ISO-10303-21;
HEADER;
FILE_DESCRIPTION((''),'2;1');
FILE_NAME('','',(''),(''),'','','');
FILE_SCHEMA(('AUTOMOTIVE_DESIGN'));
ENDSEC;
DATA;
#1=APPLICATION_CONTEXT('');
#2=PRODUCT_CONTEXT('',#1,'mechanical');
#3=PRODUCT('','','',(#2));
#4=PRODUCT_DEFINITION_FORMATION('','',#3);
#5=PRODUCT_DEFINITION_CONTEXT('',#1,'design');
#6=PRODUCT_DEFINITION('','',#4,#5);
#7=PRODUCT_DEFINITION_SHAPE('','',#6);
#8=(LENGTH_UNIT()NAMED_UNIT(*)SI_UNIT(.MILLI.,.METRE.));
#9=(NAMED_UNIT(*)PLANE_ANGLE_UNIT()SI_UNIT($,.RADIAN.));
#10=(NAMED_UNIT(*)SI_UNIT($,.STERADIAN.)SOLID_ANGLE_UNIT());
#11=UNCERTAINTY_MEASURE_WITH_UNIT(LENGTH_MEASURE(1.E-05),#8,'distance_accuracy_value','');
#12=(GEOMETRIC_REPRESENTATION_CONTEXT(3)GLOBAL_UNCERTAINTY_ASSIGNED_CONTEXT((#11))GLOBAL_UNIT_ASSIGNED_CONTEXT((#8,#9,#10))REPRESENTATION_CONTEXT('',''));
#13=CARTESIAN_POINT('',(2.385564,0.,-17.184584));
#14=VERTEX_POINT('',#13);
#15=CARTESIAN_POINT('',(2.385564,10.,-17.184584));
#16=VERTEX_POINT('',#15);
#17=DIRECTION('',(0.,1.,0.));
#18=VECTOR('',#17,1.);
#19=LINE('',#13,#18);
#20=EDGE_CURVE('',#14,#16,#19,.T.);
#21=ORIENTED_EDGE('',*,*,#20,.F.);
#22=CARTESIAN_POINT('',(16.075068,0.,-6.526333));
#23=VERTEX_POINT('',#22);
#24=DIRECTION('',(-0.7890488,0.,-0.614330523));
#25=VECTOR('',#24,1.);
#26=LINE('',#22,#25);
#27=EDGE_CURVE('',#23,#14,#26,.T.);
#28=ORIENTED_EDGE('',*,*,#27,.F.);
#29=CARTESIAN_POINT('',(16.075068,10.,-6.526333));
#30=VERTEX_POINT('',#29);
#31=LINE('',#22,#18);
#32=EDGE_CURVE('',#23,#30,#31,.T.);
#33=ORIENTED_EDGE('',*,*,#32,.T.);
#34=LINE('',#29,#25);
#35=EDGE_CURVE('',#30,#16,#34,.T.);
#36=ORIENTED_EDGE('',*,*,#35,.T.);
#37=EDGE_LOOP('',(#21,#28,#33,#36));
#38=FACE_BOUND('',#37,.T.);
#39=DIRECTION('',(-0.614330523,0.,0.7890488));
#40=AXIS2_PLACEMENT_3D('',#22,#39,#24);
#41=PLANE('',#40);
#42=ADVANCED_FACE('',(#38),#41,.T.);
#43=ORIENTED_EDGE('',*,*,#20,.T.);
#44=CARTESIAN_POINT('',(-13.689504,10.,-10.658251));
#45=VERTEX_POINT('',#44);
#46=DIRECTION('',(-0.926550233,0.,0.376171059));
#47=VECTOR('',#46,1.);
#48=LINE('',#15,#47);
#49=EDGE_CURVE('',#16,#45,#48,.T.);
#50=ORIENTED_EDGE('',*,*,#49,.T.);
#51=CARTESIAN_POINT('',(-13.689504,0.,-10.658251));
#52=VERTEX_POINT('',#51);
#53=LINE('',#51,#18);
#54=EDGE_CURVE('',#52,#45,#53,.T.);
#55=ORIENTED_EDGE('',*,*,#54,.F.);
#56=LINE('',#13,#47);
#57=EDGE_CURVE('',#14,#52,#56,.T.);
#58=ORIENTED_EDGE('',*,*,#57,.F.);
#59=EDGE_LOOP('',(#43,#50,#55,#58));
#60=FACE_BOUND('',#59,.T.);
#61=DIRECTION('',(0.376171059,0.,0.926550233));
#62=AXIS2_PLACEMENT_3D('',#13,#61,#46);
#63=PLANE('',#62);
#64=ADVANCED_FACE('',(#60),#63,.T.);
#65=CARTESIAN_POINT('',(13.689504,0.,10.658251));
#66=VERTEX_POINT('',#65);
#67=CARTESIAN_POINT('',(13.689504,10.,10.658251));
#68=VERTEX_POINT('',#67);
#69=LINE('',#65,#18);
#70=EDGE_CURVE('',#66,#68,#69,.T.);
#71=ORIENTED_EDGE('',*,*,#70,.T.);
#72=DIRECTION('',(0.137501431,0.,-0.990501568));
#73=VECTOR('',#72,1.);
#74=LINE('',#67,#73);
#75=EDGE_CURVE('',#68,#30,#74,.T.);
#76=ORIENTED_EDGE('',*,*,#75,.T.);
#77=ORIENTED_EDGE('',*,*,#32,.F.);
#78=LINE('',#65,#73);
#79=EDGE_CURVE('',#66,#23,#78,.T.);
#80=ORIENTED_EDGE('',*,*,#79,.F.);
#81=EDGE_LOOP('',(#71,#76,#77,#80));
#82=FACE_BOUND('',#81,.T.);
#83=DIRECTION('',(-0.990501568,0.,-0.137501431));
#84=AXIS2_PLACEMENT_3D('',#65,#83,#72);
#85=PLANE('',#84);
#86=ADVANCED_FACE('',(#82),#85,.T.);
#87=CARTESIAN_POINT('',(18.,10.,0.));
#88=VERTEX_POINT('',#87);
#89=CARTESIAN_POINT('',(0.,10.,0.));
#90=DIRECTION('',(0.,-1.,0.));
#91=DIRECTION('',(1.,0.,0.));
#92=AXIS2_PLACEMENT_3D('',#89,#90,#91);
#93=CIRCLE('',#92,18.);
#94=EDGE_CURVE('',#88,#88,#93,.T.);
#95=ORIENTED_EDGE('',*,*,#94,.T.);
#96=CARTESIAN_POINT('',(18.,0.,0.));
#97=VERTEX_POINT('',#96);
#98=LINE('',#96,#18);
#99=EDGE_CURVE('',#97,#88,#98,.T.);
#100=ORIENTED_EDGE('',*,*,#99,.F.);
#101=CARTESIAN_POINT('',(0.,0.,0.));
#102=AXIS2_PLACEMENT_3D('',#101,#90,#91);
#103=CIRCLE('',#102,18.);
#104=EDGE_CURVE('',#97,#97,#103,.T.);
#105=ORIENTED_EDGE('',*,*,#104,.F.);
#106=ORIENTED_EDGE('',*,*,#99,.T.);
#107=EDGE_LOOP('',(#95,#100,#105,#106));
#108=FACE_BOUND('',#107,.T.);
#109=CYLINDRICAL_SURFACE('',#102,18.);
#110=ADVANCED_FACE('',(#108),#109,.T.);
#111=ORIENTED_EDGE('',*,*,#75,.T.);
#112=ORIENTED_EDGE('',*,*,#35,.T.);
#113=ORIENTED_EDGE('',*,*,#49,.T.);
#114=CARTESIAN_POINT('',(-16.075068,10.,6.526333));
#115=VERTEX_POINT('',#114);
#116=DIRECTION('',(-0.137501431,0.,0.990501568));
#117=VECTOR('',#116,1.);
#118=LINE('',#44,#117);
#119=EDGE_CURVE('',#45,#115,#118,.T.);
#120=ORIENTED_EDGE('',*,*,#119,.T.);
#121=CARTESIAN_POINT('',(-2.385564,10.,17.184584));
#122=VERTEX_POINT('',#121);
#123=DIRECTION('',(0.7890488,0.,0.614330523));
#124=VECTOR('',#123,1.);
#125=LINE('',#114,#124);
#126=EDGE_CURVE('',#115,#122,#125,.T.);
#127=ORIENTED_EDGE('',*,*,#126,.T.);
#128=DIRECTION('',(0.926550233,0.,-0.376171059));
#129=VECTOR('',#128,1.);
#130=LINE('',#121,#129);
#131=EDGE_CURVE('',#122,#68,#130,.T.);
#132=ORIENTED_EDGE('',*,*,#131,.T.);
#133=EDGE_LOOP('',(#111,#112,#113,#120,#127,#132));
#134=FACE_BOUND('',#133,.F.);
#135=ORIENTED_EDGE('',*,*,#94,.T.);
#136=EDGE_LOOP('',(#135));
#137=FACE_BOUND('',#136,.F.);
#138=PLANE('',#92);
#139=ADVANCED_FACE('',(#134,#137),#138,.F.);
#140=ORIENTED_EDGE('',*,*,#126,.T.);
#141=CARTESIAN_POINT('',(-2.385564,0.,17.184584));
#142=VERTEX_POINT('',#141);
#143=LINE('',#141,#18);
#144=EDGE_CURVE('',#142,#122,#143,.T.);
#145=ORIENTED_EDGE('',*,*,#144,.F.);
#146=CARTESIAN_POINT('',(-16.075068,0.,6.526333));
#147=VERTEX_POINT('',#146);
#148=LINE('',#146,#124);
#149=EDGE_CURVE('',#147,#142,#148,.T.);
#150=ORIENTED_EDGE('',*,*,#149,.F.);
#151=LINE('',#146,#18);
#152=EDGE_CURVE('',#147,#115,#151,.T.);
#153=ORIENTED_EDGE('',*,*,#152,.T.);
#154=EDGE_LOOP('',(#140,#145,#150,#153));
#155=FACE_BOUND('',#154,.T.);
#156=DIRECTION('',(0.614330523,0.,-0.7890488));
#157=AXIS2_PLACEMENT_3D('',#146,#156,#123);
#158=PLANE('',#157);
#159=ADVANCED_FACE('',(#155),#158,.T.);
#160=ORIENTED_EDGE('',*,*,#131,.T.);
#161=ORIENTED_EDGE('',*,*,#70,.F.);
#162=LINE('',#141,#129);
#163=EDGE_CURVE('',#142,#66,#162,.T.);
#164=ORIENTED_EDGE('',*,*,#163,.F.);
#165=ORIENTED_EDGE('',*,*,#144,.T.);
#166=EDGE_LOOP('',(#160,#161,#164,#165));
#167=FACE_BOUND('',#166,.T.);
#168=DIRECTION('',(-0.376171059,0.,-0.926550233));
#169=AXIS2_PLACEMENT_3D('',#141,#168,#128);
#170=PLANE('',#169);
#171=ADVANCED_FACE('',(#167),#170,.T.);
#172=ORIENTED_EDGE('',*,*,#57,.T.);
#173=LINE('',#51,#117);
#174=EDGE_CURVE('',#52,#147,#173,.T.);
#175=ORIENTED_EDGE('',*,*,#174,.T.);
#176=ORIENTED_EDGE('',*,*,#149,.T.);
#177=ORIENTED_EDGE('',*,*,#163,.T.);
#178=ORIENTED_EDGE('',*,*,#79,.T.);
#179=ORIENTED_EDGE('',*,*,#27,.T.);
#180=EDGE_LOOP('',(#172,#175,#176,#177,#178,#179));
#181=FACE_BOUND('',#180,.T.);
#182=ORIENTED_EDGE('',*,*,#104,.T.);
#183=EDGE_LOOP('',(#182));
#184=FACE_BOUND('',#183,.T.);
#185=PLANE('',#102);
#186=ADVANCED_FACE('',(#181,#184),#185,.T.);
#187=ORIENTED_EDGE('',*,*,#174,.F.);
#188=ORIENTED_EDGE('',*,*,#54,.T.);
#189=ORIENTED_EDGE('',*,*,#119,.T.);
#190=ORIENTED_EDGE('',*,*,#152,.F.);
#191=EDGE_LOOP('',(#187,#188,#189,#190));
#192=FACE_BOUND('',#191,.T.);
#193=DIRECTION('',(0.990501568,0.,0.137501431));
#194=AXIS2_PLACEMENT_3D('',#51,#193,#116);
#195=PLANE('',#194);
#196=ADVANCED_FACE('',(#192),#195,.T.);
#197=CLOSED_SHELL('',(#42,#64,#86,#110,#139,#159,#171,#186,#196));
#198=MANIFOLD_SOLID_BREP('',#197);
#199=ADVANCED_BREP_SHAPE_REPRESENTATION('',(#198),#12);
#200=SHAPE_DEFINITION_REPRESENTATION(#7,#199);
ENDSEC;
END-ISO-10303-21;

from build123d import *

# Parameters (mm, degrees)
F0_R     = 18
F1_DEPTH = 10


with BuildPart() as f1:
    # F0 (on Front) → F1 (new body)
    with BuildSketch(Plane.XZ):
        Circle(F0_R)
        Polygon((-16.075068, 6.526333), (-2.385564, 17.184584), (13.689504, 10.658251), (16.075068, -6.526333), (2.385564, -17.184584), (-13.689504, -10.658251), align=None, mode=Mode.SUBTRACT)
    extrude(amount=-F1_DEPTH)


solid = f1.part
